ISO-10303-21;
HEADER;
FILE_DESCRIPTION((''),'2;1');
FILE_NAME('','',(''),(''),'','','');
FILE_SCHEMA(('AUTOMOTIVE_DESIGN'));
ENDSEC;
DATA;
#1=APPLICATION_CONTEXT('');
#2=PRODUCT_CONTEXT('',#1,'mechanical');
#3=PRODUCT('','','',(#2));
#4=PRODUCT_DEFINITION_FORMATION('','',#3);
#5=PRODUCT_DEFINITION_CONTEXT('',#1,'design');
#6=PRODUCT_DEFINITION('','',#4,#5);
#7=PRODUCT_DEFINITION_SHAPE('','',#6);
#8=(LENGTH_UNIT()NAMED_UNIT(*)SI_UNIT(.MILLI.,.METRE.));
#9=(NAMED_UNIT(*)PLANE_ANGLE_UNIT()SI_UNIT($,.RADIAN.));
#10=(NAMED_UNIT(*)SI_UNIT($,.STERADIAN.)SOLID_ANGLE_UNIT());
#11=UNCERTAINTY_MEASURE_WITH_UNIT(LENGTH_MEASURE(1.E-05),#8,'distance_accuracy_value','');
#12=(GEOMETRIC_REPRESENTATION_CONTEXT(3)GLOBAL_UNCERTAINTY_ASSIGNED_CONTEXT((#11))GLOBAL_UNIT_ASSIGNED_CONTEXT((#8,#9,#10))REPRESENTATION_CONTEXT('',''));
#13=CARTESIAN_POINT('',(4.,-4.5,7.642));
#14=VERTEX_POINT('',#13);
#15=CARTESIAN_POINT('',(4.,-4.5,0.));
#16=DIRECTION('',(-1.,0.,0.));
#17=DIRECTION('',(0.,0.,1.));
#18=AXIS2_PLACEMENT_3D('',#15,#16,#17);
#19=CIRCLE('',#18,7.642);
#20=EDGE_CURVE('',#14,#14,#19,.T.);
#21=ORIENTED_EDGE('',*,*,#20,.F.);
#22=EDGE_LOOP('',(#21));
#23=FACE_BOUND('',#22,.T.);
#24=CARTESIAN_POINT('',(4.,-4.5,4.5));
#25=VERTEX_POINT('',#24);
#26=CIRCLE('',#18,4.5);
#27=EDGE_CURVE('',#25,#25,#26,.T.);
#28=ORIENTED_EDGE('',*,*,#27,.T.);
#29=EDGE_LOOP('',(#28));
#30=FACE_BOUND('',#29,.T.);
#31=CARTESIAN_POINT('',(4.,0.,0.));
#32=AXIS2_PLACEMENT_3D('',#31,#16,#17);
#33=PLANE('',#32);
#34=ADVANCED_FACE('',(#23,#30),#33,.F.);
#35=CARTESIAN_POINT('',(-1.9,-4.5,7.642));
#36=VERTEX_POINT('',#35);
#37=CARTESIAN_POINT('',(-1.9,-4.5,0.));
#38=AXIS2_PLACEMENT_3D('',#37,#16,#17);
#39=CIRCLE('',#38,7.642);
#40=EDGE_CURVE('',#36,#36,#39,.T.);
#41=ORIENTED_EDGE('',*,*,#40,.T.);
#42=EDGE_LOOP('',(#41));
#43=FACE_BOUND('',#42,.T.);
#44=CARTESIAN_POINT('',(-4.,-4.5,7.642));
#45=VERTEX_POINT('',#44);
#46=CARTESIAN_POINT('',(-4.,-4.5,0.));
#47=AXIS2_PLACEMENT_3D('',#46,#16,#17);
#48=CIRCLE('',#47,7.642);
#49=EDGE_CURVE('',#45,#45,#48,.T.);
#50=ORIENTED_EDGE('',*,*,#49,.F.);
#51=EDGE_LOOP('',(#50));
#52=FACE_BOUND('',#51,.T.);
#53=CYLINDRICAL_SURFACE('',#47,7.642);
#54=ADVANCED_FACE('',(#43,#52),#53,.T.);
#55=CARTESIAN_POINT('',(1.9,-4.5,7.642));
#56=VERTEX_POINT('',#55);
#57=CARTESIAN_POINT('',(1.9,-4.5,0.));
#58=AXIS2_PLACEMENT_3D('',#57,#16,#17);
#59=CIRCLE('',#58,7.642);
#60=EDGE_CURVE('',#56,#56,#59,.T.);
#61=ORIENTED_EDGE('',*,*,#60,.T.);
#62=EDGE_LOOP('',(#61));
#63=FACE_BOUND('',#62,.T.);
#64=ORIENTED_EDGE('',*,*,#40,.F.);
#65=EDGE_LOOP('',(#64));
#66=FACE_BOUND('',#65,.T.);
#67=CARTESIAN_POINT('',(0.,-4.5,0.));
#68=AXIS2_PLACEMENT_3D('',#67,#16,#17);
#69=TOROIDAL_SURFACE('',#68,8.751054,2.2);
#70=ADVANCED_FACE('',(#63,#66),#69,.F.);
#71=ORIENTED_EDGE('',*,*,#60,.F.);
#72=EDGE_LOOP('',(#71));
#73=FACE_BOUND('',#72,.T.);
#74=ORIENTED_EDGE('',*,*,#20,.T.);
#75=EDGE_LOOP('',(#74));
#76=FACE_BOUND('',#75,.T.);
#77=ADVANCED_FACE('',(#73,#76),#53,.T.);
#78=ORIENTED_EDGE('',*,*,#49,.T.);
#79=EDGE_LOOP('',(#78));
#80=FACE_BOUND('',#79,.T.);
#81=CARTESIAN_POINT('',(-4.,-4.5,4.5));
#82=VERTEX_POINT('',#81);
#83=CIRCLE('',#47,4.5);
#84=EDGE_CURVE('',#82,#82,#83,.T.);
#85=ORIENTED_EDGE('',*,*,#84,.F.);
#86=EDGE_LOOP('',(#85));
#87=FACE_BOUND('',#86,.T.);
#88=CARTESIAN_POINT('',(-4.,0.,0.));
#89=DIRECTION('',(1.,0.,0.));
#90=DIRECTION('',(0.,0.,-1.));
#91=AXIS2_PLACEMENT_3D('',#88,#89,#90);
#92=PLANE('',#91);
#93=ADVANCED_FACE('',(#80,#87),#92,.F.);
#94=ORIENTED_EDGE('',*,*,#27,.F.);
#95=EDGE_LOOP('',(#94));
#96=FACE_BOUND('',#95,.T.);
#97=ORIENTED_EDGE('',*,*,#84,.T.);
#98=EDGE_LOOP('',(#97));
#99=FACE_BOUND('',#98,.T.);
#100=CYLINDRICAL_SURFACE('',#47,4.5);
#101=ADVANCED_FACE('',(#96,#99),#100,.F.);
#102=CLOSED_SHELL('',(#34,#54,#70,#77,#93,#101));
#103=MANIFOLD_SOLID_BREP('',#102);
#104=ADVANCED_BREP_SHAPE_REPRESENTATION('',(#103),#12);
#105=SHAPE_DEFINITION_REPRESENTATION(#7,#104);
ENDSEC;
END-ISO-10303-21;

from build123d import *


with BuildPart() as part:
    # Sketch1 → Revolve1 (revolve)
    with BuildSketch(Plane.XY, mode=Mode.PRIVATE) as revolve1_sk:
        with BuildLine():
            Line((0, 0), (4, 0))
            Line((4, 0), (4, 3.142))
            Line((4, 3.142), (1.9, 3.142))
            ThreePointArc((1.9, 3.142), (0, 2.051053651), (-1.9, 3.142))
            Line((-1.9, 3.142), (-4, 3.142))
            Line((-4, 3.142), (-4, 0))
            Line((-4, 0), (0, 0))
        make_face()
    revolve(revolve1_sk.sketch.rotate(Axis((-4, -4.5, 0), (1, 0, 0)), 90), axis=Axis((-4, -4.5, 0), (1, 0, 0)))


solid = part.part
